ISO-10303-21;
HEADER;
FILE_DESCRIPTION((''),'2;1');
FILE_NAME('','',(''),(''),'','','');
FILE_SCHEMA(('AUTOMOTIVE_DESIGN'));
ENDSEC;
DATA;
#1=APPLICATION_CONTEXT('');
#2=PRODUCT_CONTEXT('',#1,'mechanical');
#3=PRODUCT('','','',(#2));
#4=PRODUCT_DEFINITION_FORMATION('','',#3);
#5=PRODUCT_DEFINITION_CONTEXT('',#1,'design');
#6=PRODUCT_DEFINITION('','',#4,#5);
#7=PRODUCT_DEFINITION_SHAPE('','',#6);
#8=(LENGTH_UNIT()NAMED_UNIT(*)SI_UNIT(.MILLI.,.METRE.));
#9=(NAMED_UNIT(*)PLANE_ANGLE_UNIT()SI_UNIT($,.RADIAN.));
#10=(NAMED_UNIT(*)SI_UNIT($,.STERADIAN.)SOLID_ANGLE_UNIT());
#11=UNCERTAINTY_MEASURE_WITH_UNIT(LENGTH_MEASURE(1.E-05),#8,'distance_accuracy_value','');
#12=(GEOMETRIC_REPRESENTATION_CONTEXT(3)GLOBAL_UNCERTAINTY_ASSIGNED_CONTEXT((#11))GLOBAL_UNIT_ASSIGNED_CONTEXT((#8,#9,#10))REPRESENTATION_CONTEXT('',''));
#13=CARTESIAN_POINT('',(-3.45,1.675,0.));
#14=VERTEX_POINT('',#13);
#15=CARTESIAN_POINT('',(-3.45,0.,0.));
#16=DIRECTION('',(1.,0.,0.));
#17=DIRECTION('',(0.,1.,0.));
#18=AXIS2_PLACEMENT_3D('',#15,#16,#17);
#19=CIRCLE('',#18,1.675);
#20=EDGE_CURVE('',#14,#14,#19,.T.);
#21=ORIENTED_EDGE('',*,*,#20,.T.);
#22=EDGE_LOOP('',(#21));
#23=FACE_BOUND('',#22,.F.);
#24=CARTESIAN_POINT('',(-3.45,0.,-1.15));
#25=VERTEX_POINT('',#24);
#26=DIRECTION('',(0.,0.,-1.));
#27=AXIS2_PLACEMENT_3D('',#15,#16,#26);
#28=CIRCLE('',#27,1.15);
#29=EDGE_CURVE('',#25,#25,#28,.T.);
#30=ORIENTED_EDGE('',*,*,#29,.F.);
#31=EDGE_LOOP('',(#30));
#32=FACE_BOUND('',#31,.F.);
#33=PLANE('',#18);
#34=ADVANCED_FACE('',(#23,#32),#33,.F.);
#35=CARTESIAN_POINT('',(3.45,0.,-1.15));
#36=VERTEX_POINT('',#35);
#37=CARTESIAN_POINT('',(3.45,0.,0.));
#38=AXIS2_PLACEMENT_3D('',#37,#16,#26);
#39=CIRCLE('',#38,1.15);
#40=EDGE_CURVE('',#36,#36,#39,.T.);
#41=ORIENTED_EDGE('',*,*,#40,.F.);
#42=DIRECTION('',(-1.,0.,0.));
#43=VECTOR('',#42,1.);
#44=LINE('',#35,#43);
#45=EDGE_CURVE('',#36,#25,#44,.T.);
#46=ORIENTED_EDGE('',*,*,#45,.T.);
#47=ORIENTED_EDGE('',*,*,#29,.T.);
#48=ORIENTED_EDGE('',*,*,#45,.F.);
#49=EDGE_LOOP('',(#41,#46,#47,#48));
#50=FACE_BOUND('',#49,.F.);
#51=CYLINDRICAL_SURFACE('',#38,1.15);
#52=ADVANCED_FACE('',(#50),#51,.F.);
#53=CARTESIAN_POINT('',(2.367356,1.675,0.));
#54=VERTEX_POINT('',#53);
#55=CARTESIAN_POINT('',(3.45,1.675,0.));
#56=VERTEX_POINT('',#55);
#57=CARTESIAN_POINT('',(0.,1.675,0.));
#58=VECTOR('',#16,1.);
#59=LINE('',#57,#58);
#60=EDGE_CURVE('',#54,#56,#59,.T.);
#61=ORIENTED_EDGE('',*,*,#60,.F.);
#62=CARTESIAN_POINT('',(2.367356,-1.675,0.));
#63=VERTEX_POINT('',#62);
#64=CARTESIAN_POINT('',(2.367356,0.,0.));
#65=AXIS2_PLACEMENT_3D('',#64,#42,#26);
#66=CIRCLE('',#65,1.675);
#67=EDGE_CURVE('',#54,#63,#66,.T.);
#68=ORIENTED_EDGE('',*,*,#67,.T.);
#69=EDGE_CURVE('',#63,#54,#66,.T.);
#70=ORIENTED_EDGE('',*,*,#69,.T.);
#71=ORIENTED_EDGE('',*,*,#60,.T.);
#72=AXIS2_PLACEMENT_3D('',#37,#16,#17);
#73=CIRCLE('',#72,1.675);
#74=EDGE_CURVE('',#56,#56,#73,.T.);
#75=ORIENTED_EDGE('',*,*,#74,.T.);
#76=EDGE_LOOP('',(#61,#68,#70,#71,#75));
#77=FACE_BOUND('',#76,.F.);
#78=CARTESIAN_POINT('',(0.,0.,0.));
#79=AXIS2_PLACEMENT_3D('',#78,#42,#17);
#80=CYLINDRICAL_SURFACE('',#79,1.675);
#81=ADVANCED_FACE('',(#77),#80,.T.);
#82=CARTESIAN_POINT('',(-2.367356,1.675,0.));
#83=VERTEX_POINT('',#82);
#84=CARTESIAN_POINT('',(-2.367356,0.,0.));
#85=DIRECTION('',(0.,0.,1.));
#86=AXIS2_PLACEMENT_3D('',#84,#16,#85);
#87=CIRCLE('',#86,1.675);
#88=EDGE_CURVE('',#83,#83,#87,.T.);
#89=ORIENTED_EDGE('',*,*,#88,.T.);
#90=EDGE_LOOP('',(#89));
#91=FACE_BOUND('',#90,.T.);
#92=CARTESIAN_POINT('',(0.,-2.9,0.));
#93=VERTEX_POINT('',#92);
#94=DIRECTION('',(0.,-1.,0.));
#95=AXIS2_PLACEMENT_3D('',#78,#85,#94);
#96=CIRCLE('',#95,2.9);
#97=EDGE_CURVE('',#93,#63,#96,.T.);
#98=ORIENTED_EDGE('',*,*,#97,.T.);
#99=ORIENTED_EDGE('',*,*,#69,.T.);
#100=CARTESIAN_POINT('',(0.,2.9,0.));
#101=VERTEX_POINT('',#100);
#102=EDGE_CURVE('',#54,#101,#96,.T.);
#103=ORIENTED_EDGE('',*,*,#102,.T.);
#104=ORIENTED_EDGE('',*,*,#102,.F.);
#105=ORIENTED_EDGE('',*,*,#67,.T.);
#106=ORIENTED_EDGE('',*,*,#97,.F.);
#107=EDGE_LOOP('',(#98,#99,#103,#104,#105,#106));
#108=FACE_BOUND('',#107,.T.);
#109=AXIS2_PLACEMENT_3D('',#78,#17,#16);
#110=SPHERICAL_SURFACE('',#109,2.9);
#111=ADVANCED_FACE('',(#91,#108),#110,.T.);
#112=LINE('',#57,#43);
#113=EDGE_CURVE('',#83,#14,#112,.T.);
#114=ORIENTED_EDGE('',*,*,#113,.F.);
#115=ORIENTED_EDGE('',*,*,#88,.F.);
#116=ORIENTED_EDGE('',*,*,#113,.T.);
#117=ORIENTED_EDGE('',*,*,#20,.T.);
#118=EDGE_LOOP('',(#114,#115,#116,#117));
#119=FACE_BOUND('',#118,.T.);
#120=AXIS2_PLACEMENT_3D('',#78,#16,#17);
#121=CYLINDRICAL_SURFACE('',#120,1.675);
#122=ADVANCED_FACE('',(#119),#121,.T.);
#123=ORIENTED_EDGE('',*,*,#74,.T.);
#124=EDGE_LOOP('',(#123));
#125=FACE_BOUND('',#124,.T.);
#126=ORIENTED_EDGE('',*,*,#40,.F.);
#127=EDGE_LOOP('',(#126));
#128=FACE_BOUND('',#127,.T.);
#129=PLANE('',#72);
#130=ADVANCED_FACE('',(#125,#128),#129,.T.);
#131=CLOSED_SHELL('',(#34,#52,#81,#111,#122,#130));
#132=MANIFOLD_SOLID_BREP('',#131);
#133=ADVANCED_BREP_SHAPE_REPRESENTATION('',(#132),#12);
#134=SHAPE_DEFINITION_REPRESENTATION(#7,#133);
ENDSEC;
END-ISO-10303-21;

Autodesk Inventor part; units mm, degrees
ref_plane "YZ Plane" through (0, 0, 0) normal (1, 0, 0) x (0, 1, 0)
ref_plane "XZ Plane" through (0, 0, 0) normal (0, 1, 0) x (-1, 0, 0)
ref_plane "XY Plane" through (0, 0, 0) normal (0, 0, 1) x (1, 0, 0)
sketch "Sketch1" plane through (0, 0, 0) normal (0, 0, 1) x (1, 0, 0)
  arc A0 (0, -2.9) -> (0, 2.9) centre (0, 0) ccw
  line L0 (0, 0) -> (0, 2.9)
  line L1 (0, 0) -> (0, -2.9)
  dimension "d0" = 5.8
revolve "Revolution1" add sketch "Sketch1" angle 360 about axis through (0, 0, 0) along (0, 1, 0)
sketch "Sketch3" plane through (0, 0, 0) normal (1, 0, 0) x (0, 1, 0)
  circle A0 centre (0, 0) radius 1.675
  dimension "d4" = 3.35
extrude "Extrusion1" add sketch "Sketch3" along normal mid plane 6.9
sketch "Sketch4" plane through (3.45, 0, 0) normal (1, 0, 0) x (0, 0, -1)
  circle A0 centre (0, 0) radius 1.15
  dimension "d7" = 2.3
extrude "Extrusion2" cut sketch "Sketch4" against normal blind 6.9
properties part number "RCT-H017_lower_linkage_ball_stud"
